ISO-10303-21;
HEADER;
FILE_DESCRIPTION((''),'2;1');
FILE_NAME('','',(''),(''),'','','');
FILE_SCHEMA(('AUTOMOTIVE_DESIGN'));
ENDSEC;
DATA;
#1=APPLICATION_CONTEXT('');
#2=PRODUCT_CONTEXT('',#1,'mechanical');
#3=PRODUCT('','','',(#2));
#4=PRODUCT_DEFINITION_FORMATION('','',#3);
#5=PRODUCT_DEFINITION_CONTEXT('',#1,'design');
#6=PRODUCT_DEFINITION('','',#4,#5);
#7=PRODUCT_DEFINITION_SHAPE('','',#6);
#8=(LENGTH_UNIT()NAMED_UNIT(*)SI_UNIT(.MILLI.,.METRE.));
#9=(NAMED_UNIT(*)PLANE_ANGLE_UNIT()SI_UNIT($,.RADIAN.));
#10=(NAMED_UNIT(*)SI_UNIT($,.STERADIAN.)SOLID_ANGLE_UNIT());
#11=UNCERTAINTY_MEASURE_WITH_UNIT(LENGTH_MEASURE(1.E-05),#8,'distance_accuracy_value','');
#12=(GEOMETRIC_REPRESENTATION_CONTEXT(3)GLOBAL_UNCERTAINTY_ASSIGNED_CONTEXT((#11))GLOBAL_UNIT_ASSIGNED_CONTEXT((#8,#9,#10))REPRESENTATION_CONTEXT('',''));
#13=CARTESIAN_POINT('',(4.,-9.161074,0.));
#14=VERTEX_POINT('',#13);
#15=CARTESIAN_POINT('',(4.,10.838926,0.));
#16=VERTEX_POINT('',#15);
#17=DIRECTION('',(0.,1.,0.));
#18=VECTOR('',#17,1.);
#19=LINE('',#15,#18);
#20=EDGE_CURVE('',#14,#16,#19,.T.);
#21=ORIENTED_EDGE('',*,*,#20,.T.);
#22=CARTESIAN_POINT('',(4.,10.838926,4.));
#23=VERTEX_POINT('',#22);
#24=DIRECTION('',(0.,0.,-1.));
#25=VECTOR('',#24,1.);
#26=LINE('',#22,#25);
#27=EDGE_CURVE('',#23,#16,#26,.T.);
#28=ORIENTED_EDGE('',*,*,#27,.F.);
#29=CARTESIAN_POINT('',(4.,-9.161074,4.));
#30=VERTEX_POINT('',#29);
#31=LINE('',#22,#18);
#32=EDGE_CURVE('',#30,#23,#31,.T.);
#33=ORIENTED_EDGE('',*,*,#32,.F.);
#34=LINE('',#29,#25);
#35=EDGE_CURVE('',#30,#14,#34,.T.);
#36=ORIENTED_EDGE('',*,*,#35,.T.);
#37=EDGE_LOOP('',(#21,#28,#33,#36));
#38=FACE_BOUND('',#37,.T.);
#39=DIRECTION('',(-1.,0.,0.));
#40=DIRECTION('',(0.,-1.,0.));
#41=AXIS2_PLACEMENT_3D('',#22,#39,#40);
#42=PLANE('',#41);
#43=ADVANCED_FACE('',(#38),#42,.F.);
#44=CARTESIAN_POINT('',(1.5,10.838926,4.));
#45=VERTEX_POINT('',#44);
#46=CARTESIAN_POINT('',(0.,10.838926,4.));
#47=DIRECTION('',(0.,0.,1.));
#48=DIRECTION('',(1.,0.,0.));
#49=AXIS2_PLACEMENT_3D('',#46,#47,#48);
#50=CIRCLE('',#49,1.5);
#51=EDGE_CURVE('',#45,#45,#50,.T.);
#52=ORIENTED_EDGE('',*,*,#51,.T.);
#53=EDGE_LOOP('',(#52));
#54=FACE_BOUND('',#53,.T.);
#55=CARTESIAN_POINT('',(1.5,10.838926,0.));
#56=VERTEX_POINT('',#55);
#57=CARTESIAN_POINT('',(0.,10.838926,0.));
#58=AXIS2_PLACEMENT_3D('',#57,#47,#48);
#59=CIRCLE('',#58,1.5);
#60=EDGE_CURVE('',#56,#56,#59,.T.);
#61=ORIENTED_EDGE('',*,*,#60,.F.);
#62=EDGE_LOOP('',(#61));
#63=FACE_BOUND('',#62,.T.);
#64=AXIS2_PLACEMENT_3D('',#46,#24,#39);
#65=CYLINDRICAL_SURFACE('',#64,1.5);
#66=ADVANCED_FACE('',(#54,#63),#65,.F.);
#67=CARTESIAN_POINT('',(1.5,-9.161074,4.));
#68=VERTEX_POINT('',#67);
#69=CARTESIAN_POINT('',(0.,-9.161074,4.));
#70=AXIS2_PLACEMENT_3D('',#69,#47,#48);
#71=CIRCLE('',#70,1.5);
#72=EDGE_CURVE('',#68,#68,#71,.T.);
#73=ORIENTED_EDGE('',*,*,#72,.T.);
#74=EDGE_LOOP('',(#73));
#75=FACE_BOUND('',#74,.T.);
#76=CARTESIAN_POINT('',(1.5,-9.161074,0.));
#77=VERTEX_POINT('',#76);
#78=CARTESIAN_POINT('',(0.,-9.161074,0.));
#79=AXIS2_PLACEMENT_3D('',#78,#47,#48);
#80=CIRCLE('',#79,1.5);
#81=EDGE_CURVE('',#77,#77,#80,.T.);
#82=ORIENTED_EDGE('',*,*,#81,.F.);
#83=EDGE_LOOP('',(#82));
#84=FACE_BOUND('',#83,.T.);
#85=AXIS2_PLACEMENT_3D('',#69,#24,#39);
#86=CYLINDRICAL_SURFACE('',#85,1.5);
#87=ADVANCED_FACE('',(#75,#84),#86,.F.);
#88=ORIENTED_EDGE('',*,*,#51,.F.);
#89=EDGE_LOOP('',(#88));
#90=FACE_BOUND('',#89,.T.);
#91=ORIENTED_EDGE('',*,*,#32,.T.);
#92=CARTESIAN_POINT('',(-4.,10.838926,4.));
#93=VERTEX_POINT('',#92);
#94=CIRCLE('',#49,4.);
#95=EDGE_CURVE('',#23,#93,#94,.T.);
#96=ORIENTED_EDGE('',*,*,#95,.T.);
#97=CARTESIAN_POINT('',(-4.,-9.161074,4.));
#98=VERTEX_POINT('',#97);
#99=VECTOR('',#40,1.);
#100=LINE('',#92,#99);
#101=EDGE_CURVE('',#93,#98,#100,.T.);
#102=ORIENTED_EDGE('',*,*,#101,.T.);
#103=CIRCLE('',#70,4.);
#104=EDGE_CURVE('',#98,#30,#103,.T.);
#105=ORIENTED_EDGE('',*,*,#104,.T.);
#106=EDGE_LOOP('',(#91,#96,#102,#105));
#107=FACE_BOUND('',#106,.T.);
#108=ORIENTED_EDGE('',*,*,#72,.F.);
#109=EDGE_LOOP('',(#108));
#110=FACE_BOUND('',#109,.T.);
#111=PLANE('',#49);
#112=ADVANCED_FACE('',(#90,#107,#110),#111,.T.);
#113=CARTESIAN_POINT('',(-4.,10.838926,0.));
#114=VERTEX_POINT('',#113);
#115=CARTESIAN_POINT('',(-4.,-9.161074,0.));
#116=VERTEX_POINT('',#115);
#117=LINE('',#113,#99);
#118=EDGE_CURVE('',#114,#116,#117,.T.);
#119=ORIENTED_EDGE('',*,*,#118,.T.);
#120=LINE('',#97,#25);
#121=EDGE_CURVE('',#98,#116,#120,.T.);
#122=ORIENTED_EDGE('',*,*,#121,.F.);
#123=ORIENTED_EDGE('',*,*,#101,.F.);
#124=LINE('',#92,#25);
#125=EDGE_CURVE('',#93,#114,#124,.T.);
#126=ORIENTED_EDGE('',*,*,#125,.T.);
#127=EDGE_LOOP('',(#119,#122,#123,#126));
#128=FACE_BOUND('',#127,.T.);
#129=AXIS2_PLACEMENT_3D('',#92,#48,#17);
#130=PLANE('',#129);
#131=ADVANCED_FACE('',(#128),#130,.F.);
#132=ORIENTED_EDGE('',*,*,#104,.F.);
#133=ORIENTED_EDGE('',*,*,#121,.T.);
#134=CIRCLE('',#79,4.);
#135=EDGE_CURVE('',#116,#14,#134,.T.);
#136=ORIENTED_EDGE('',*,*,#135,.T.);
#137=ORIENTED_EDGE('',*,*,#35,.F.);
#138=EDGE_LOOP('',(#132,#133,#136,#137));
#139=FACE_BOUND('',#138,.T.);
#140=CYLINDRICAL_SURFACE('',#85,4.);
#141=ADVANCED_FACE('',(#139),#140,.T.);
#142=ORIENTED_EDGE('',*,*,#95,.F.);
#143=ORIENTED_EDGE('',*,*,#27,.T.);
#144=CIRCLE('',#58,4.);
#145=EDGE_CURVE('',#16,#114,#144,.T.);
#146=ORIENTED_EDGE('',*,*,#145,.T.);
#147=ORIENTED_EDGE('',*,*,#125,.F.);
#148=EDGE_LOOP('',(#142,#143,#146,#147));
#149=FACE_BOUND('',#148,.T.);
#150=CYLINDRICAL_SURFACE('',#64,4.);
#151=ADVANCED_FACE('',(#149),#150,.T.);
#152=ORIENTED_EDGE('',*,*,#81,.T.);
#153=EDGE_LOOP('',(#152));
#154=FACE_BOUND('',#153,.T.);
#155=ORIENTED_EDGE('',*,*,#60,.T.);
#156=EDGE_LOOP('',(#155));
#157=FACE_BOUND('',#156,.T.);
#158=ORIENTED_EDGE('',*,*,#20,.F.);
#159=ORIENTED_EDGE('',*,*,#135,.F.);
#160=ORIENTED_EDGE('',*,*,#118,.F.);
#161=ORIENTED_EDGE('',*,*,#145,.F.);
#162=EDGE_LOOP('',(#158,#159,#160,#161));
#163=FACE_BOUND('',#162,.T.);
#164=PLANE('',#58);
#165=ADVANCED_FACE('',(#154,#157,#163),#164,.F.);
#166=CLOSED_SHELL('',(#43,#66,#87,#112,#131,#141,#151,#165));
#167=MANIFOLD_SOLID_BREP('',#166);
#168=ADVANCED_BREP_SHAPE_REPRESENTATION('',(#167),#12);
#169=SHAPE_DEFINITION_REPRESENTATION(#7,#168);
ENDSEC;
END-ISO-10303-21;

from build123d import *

# Parameters (mm, degrees)
SKETCH_1_R      = 1.5
EXTRUDE_1_DEPTH = 4


with BuildPart() as part:
    # 草图1 → 凸台-拉伸1 (new body)
    with BuildSketch(Plane.XY):
        with BuildLine():
            Line((4, 10.838926174), (4, -9.161073826))
            ThreePointArc((4, -9.161073826), (0, -13.161073826), (-4, -9.161073826))
            Line((-4, -9.161073826), (-4, 10.838926174))
            ThreePointArc((-4, 10.838926174), (0, 14.838926174), (4, 10.838926174))
        make_face()
        with Locations((0, 10.838926174)):
            Circle(SKETCH_1_R, mode=Mode.SUBTRACT)
        with Locations((0, -9.161073826)):
            Circle(SKETCH_1_R, mode=Mode.SUBTRACT)
    extrude(amount=EXTRUDE_1_DEPTH)


solid = part.part
